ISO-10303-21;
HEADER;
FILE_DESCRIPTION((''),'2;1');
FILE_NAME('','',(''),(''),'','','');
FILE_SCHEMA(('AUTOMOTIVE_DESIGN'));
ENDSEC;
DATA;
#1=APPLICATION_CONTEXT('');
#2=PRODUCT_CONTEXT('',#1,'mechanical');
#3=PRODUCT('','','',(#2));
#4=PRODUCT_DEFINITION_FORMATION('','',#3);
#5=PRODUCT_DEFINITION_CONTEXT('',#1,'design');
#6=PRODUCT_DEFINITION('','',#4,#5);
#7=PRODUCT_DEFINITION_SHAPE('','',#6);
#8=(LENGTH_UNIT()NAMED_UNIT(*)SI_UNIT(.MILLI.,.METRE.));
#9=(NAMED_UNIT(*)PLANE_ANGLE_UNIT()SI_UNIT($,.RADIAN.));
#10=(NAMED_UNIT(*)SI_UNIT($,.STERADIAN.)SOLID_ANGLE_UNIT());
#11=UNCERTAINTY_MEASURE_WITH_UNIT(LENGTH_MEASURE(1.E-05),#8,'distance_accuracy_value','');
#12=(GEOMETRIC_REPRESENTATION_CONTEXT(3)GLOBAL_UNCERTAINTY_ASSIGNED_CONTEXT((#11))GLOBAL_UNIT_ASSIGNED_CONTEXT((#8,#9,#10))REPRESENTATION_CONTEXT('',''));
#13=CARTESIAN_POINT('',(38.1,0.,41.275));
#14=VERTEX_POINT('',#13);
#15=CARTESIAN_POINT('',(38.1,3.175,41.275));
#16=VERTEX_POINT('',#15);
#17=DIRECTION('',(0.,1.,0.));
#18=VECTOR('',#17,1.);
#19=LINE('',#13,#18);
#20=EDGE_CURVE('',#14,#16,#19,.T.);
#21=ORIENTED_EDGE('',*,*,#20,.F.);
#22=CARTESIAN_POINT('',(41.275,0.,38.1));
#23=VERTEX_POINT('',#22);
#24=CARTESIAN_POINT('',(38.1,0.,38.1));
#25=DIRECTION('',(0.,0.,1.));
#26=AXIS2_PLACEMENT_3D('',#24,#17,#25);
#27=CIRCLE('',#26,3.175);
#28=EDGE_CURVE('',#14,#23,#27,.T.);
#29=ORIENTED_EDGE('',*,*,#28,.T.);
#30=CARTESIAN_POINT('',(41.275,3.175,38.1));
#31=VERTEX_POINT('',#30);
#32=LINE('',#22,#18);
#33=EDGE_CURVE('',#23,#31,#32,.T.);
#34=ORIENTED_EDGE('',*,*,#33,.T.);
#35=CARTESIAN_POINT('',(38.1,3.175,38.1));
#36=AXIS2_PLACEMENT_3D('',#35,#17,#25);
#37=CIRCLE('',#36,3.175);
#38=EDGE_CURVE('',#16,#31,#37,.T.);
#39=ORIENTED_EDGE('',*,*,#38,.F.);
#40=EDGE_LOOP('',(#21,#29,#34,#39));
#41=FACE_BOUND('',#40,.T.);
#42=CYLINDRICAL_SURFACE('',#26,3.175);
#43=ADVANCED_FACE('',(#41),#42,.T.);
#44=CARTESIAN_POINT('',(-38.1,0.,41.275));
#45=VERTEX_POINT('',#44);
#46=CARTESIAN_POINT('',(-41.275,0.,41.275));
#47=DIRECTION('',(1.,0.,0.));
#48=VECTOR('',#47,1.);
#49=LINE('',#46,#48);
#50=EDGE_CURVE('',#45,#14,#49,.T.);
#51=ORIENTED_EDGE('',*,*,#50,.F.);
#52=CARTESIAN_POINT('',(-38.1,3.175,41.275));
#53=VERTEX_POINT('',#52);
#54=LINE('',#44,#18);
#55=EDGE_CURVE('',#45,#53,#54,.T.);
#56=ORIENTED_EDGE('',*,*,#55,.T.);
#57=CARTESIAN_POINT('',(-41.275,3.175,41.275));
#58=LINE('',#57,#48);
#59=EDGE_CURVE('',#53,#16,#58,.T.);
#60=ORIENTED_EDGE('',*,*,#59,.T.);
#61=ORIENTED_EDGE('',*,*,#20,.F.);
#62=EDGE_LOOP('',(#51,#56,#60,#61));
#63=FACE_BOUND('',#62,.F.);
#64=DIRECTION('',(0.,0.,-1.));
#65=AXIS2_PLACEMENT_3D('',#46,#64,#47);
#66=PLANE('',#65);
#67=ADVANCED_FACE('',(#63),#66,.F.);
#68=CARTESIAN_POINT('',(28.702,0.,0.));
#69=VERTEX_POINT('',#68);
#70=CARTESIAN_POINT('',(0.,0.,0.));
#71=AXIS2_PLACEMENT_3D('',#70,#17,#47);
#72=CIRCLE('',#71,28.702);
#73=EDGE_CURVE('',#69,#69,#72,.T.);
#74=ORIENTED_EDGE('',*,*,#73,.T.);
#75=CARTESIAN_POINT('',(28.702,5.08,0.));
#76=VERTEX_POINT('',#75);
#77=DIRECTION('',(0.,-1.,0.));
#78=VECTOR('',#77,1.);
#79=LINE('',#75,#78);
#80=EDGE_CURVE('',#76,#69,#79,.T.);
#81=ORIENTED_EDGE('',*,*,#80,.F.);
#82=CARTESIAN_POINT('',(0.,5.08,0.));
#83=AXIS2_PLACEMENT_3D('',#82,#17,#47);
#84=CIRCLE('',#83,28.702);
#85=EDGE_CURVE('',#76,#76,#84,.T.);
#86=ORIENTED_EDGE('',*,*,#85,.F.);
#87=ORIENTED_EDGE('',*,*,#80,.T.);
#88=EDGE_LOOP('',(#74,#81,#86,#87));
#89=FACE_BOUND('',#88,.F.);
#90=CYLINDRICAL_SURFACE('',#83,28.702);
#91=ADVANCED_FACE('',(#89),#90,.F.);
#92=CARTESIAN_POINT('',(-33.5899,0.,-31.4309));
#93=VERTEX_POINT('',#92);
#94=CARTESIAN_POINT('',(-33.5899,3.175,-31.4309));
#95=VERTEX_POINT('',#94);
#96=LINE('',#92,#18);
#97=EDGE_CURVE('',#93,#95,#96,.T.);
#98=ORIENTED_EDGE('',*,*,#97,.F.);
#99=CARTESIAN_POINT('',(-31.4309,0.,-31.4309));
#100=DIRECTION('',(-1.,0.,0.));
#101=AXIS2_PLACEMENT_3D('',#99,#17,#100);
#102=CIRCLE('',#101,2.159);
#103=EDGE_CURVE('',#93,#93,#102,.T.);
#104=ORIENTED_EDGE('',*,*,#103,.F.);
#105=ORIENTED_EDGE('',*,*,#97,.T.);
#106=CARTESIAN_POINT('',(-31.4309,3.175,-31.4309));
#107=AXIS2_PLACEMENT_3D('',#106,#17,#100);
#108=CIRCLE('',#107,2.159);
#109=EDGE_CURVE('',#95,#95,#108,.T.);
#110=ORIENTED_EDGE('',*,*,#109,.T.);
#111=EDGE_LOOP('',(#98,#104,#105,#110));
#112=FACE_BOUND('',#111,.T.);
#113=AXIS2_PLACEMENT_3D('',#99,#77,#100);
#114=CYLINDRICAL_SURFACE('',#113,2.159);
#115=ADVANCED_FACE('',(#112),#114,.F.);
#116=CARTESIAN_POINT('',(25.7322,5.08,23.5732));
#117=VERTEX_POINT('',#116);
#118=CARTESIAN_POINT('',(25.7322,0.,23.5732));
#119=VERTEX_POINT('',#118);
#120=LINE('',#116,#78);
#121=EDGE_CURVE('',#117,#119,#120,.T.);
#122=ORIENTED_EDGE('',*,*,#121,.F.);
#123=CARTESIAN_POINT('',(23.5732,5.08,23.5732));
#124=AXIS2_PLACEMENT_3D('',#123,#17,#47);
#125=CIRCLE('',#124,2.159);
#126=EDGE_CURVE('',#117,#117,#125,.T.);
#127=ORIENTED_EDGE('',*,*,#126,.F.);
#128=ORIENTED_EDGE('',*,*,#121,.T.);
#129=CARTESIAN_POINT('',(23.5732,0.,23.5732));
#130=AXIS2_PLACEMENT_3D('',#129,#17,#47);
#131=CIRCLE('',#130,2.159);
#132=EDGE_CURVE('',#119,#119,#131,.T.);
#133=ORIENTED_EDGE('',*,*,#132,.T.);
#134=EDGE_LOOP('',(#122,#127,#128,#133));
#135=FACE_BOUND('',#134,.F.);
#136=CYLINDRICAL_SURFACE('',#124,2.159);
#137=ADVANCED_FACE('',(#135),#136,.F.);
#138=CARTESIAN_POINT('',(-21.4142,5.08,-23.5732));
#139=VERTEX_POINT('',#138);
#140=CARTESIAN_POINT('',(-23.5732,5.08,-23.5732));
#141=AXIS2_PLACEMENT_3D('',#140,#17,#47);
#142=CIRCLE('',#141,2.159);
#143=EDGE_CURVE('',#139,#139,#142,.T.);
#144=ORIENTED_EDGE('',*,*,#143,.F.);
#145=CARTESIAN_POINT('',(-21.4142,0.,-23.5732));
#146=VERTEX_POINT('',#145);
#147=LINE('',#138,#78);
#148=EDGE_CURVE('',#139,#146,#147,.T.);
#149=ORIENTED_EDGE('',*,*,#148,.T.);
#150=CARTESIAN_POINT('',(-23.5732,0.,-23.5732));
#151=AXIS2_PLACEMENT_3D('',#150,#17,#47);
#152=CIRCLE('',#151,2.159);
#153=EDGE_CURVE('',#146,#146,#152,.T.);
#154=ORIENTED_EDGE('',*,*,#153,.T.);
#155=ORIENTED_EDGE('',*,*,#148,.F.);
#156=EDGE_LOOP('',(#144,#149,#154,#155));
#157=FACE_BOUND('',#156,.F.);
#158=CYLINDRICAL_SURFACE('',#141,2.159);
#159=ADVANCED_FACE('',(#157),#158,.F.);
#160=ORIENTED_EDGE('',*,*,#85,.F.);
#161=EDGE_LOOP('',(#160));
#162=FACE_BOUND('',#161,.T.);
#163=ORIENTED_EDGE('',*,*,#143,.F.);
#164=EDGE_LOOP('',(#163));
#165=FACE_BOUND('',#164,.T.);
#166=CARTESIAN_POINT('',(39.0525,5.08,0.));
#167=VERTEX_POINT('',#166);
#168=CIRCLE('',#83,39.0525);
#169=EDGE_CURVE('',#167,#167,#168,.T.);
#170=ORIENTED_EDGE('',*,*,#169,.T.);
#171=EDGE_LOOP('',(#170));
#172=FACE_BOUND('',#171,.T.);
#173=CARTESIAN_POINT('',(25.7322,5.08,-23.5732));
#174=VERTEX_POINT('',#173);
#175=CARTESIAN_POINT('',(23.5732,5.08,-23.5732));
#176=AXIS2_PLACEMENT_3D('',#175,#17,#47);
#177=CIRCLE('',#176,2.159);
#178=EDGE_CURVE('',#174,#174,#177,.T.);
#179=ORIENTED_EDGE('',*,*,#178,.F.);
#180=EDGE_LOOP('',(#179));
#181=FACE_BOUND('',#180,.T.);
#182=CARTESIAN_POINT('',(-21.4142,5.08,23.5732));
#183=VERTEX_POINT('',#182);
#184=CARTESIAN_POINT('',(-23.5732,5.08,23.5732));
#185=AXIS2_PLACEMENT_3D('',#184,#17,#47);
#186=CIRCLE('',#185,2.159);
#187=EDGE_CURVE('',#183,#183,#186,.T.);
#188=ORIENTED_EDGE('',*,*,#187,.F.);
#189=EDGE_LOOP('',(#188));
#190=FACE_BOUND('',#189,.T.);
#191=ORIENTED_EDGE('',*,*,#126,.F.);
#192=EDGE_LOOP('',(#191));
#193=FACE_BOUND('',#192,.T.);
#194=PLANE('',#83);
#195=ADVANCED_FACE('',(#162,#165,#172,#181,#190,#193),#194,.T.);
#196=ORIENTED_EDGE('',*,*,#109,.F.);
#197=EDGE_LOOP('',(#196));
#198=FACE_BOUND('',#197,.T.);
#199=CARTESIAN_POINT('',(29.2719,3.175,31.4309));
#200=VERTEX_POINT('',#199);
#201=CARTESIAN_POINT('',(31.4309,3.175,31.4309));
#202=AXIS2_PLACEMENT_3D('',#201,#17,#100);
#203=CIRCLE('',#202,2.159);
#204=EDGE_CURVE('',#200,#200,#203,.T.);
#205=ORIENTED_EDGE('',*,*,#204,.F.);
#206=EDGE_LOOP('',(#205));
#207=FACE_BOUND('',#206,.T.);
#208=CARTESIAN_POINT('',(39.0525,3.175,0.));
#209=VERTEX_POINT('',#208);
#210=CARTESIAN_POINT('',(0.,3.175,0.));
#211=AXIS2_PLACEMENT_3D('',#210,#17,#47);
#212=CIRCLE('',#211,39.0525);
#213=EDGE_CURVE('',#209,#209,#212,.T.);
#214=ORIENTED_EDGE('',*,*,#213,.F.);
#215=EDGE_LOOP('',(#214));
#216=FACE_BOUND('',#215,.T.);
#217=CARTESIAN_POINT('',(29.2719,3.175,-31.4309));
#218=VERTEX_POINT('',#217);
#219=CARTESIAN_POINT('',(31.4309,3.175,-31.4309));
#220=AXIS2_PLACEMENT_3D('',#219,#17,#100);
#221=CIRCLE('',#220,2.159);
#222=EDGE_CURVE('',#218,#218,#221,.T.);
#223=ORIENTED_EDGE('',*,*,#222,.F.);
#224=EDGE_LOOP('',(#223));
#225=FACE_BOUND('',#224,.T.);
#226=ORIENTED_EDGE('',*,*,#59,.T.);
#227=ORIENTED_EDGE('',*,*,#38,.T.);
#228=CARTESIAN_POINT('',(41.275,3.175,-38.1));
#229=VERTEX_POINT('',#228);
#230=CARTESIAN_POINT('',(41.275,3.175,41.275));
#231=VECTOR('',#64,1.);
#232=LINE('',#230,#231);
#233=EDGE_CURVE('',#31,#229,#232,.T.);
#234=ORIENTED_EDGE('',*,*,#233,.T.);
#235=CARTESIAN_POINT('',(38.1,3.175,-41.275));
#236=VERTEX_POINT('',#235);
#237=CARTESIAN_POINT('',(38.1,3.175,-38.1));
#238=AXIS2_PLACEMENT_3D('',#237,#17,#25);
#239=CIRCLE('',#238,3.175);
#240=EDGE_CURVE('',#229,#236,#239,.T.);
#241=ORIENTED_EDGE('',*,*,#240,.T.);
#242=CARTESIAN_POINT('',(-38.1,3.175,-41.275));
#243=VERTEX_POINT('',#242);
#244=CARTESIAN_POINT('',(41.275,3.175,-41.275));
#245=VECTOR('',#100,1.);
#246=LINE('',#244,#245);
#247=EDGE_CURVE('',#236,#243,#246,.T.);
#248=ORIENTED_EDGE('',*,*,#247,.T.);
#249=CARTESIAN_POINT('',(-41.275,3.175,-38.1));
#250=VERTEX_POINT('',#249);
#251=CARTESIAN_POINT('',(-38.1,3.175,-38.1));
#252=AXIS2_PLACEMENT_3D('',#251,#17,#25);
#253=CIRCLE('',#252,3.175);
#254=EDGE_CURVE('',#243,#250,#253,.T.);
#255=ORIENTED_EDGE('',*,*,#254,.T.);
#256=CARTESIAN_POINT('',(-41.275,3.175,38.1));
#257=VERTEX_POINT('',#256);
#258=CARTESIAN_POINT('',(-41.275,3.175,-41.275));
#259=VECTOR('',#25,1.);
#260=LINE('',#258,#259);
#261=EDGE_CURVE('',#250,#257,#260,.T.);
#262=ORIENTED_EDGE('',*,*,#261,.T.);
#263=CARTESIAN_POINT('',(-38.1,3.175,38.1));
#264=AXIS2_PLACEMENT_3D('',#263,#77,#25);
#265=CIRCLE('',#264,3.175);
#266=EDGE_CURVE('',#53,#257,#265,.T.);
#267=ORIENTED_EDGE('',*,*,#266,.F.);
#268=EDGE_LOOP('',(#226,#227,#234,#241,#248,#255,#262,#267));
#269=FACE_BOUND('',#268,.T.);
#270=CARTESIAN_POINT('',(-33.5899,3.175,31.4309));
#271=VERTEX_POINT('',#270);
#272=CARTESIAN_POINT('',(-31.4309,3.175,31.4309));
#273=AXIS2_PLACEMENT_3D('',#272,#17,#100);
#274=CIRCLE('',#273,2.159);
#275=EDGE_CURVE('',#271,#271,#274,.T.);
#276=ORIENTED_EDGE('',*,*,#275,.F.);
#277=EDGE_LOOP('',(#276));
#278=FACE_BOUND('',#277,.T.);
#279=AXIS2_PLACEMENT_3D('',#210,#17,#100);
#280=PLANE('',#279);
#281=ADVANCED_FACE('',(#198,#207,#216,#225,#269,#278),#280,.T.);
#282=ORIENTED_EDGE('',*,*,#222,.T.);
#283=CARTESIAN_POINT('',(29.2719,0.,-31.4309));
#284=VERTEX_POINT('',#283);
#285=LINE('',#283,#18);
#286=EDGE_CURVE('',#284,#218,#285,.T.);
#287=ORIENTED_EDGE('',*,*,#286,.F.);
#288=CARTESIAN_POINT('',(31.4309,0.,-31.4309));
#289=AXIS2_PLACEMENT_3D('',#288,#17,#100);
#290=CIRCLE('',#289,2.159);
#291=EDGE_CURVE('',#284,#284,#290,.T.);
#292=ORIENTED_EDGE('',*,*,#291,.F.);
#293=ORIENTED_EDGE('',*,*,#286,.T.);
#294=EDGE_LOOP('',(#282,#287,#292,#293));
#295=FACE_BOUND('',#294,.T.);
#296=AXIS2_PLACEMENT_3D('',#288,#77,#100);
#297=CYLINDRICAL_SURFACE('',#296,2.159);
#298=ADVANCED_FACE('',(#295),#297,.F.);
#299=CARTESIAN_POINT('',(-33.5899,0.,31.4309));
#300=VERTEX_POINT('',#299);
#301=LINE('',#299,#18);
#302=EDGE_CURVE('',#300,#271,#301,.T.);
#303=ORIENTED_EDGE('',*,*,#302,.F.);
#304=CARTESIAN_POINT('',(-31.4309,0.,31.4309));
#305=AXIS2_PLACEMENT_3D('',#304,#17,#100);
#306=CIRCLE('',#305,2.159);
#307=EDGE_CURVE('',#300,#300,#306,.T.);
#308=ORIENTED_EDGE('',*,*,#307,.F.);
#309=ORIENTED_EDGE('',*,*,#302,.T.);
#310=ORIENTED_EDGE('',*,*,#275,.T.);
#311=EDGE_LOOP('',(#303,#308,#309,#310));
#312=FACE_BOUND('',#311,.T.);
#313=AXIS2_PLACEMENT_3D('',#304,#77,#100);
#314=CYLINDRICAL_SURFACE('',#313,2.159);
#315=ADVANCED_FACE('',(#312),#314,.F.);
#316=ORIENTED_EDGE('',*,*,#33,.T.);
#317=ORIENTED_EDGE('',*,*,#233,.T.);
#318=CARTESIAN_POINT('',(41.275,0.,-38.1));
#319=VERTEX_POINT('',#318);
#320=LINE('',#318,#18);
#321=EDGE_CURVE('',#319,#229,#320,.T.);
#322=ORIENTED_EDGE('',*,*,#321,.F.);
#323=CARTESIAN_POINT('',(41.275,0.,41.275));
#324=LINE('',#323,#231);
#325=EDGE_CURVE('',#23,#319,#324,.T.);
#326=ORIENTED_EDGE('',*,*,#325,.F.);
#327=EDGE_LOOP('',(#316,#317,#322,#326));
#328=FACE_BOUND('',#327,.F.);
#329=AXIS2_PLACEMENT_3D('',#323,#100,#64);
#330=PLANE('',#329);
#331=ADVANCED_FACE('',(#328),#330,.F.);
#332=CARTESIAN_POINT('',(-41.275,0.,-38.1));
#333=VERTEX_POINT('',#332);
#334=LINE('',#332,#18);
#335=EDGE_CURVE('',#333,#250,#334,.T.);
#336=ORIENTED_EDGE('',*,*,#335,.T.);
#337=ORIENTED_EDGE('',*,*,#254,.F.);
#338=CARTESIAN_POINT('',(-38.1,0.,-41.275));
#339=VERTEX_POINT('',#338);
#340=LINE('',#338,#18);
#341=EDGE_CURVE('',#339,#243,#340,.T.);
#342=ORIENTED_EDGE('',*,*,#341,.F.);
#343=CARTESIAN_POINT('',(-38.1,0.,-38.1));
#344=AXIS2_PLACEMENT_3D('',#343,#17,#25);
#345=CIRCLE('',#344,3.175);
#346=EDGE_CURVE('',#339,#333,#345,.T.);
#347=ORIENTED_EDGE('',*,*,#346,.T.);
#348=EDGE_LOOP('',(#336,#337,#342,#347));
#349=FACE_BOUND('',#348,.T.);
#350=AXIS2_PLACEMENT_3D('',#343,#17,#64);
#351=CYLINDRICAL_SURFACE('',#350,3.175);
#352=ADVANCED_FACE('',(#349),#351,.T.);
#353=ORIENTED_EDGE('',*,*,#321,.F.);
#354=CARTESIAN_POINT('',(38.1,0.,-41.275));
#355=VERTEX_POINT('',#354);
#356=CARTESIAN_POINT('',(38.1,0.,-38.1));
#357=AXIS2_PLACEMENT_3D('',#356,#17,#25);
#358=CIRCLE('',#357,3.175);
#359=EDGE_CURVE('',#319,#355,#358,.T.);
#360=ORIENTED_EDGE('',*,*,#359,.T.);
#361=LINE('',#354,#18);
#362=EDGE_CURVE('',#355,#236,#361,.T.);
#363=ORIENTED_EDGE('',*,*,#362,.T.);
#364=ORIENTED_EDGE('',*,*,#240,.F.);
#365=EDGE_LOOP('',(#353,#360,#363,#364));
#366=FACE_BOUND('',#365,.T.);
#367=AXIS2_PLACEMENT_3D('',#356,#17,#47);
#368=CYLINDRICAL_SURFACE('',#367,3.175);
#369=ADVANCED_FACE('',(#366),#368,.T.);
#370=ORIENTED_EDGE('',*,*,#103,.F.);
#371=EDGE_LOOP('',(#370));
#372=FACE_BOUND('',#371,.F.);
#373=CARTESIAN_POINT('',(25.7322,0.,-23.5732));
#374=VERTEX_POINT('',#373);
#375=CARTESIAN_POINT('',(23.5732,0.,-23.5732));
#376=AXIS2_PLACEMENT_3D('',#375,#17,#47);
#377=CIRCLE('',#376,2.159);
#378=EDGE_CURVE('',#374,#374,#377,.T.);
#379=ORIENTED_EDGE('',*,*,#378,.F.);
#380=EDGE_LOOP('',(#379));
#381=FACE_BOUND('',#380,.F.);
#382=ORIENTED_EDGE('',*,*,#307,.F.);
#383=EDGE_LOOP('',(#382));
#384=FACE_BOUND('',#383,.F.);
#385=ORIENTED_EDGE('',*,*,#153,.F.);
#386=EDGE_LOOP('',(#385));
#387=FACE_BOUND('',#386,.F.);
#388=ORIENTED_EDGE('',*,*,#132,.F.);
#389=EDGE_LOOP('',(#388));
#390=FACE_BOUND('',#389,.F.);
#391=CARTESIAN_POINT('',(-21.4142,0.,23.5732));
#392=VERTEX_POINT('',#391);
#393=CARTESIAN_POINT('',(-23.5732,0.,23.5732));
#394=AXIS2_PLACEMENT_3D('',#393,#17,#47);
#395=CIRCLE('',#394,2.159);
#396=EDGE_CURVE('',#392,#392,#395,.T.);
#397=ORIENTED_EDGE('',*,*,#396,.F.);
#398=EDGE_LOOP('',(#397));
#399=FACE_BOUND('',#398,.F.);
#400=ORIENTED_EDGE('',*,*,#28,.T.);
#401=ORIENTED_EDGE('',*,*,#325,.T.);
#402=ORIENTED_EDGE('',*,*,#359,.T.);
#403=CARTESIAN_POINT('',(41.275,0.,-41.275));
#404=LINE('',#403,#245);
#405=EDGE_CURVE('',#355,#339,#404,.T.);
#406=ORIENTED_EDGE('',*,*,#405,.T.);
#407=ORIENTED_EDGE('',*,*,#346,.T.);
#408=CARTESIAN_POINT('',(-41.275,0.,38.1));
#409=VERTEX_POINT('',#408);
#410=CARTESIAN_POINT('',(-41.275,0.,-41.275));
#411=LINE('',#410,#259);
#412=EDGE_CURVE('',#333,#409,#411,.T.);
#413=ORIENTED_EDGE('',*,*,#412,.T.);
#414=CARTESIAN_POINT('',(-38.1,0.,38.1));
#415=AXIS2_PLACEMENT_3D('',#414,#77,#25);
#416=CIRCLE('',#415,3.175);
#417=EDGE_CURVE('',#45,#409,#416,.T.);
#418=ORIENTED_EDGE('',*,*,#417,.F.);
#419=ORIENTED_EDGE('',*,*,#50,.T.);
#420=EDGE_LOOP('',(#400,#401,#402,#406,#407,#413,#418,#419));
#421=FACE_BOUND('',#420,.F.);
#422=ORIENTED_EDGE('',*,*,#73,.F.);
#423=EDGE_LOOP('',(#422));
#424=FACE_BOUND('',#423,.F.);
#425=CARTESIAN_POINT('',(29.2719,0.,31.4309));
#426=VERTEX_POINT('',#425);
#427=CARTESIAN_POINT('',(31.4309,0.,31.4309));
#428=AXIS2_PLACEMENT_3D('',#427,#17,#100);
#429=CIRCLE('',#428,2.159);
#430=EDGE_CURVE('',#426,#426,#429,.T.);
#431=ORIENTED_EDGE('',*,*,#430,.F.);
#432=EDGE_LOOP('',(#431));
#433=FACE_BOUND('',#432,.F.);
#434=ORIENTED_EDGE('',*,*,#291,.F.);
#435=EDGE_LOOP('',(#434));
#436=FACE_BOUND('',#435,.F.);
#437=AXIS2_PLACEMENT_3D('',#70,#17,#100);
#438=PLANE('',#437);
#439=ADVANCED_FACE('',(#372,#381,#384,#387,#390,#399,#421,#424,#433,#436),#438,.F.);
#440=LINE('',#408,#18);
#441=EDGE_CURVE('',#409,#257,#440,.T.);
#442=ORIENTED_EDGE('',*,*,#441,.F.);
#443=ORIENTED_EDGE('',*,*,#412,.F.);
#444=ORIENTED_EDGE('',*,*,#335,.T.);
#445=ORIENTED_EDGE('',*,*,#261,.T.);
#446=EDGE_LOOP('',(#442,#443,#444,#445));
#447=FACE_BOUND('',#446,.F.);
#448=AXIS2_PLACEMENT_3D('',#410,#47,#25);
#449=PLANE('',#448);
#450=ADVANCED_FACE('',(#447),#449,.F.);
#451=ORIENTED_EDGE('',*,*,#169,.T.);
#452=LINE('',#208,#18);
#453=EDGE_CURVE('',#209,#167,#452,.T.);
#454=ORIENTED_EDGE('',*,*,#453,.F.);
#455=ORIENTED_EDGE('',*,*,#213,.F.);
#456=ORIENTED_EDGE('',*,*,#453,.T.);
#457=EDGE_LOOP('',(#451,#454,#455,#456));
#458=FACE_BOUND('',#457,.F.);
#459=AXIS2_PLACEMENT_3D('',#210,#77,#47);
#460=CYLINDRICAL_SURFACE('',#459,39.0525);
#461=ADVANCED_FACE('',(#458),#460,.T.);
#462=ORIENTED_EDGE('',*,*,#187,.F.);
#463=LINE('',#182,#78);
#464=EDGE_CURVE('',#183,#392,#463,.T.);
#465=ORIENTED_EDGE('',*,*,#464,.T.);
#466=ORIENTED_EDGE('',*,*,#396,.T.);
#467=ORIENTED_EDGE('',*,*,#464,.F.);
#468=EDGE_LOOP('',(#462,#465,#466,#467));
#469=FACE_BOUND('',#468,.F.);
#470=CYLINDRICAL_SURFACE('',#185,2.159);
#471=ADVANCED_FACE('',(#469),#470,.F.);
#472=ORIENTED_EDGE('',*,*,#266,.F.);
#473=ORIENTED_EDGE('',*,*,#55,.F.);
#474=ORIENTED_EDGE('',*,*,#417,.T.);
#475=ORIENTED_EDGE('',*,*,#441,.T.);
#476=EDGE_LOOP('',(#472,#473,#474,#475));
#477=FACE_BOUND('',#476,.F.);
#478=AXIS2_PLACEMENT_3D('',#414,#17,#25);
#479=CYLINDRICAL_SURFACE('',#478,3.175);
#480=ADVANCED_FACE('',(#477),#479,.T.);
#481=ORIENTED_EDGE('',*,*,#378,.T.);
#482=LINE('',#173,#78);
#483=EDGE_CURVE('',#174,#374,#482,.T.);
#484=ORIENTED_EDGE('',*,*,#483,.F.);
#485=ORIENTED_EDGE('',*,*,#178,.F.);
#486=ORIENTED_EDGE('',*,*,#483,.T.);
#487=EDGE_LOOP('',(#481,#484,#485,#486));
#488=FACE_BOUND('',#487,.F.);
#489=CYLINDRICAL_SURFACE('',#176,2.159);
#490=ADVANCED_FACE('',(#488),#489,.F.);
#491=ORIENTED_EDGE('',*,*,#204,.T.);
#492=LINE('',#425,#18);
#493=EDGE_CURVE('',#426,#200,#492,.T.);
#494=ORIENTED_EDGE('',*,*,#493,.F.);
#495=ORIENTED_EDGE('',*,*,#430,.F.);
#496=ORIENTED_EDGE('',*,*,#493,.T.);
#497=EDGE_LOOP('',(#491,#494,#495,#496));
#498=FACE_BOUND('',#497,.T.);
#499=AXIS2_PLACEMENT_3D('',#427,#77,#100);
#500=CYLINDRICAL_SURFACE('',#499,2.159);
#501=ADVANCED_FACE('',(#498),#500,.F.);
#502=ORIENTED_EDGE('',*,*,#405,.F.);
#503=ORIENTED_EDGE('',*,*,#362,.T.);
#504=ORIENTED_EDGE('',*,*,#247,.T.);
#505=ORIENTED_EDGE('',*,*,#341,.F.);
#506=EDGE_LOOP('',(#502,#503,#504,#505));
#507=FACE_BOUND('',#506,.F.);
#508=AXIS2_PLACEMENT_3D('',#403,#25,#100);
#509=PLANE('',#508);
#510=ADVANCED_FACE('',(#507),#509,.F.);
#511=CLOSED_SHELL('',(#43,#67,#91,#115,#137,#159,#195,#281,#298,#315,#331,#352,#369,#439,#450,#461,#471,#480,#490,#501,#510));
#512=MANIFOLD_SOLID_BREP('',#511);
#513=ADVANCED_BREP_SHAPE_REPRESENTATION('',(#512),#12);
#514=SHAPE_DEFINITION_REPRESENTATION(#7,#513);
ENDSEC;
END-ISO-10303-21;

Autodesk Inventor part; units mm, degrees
ref_plane "YZ Plane" through (0, 0, 0) normal (1, 0, 0) x (0, 1, 0)
ref_plane "XZ Plane" through (0, 0, 0) normal (0, 1, 0) x (-1, 0, 0)
ref_plane "XY Plane" through (0, 0, 0) normal (0, 0, 1) x (1, 0, 0)
sketch "Sketch1" plane through (0, 0, 0) normal (0, 1, 0) x (-1, 0, 0)
  line L0 (41.275, 41.275) -> (-41.275, 41.275)
  line L1 (-41.275, 41.275) -> (-41.275, -41.275)
  line L2 (-41.275, -41.275) -> (41.275, -41.275)
  line L3 (41.275, -41.275) -> (41.275, 41.275)
  circle A0 centre (0, 0) radius 44.45 construction
  circle A1 centre (0, 0) radius 39.6875
  line L4 (-41.275, 41.275) -> (41.275, -41.275) construction
  line L5 (41.275, 41.275) -> (-41.275, -41.275) construction
  circle A2 centre (31.4309, 31.4309) radius 2.159
  circle A3 centre (31.4309, -31.4309) radius 2.159
  circle A4 centre (-31.4309, 31.4309) radius 2.159
  circle A5 centre (-31.4309, -31.4309) radius 2.159
  point P0 (0, 0)
  point P1 (0, 0)
  point P2 (0, 0)
  dimension "d0" = 82.55
  dimension "d1" = 82.55
  dimension "d2" = 88.9
  dimension "d3" = 79.375
  dimension "d4" = 4.318
  dimension "d5" = 4.318
  dimension "d6" = 4.318
  dimension "d7" = 4.318
extrude "Extrusion1" add sketch "Sketch1" along normal blind 3.175 contours L3 L2 L1 L0 | A1
sketch "Sketch2" plane through (0, 3.175, 0) normal (0, 1, 0) x (1, 0, 0)
  circle A0 centre (0, 0) radius 39.0525
  circle A1 centre (0, 0) radius 39.6875 construction
  point P0 (0, 0)
  dimension "d10" = 78.105
  dimension "d17" = 79.375
extrude "Extrusion2" add sketch "Sketch2" along normal blind 1.905
fillet "Fillet1" radius 3.175 1 edges at (41.275, 1.5875, 41.275)
fillet "Fillet2" radius 3.175 1 edges at (-41.275, 1.5875, 41.275)
fillet "Fillet3" radius 3.175 1 edges at (41.275, 1.5875, -41.275)
fillet "Fillet4" radius 3.175 1 edges at (-41.275, 1.5875, -41.275)
sketch "Sketch3" plane through (0, 5.08, 0) normal (0, 1, 0) x (1, 0, 0)
  line L0 (-30.1625, -30.1625) -> (30.1625, -30.1625) construction
  line L1 (30.1625, -30.1625) -> (30.1625, 30.1625) construction
  line L2 (30.1625, 30.1625) -> (-30.1625, 30.1625) construction
  line L3 (-30.1625, 30.1625) -> (-30.1625, -30.1625) construction
  line L4 (-30.1625, -30.1625) -> (30.1625, 30.1625) construction
  line L5 (30.1625, -30.1625) -> (-30.1625, 30.1625) construction
  circle A0 centre (0, 0) radius 33.3375 construction
  circle A1 centre (23.5732, 23.5732) radius 2.159
  circle A2 centre (23.5732, -23.5732) radius 2.159
  circle A3 centre (-23.5732, -23.5732) radius 2.159
  circle A4 centre (-23.5732, 23.5732) radius 2.159
  circle A5 centre (0, 0) radius 28.702
  dimension "d18" = 60.325
  dimension "d19" = 60.325
  dimension "d20" = 66.675
  dimension "d21" = 4.318
  dimension "d22" = 4.318
  dimension "d23" = 4.318
  dimension "d24" = 4.318
  dimension "d25" = 57.404
extrude "Extrusion3" cut sketch "Sketch3" against normal through all
properties part number "3-125-to-2-25-instrument-adapter"
